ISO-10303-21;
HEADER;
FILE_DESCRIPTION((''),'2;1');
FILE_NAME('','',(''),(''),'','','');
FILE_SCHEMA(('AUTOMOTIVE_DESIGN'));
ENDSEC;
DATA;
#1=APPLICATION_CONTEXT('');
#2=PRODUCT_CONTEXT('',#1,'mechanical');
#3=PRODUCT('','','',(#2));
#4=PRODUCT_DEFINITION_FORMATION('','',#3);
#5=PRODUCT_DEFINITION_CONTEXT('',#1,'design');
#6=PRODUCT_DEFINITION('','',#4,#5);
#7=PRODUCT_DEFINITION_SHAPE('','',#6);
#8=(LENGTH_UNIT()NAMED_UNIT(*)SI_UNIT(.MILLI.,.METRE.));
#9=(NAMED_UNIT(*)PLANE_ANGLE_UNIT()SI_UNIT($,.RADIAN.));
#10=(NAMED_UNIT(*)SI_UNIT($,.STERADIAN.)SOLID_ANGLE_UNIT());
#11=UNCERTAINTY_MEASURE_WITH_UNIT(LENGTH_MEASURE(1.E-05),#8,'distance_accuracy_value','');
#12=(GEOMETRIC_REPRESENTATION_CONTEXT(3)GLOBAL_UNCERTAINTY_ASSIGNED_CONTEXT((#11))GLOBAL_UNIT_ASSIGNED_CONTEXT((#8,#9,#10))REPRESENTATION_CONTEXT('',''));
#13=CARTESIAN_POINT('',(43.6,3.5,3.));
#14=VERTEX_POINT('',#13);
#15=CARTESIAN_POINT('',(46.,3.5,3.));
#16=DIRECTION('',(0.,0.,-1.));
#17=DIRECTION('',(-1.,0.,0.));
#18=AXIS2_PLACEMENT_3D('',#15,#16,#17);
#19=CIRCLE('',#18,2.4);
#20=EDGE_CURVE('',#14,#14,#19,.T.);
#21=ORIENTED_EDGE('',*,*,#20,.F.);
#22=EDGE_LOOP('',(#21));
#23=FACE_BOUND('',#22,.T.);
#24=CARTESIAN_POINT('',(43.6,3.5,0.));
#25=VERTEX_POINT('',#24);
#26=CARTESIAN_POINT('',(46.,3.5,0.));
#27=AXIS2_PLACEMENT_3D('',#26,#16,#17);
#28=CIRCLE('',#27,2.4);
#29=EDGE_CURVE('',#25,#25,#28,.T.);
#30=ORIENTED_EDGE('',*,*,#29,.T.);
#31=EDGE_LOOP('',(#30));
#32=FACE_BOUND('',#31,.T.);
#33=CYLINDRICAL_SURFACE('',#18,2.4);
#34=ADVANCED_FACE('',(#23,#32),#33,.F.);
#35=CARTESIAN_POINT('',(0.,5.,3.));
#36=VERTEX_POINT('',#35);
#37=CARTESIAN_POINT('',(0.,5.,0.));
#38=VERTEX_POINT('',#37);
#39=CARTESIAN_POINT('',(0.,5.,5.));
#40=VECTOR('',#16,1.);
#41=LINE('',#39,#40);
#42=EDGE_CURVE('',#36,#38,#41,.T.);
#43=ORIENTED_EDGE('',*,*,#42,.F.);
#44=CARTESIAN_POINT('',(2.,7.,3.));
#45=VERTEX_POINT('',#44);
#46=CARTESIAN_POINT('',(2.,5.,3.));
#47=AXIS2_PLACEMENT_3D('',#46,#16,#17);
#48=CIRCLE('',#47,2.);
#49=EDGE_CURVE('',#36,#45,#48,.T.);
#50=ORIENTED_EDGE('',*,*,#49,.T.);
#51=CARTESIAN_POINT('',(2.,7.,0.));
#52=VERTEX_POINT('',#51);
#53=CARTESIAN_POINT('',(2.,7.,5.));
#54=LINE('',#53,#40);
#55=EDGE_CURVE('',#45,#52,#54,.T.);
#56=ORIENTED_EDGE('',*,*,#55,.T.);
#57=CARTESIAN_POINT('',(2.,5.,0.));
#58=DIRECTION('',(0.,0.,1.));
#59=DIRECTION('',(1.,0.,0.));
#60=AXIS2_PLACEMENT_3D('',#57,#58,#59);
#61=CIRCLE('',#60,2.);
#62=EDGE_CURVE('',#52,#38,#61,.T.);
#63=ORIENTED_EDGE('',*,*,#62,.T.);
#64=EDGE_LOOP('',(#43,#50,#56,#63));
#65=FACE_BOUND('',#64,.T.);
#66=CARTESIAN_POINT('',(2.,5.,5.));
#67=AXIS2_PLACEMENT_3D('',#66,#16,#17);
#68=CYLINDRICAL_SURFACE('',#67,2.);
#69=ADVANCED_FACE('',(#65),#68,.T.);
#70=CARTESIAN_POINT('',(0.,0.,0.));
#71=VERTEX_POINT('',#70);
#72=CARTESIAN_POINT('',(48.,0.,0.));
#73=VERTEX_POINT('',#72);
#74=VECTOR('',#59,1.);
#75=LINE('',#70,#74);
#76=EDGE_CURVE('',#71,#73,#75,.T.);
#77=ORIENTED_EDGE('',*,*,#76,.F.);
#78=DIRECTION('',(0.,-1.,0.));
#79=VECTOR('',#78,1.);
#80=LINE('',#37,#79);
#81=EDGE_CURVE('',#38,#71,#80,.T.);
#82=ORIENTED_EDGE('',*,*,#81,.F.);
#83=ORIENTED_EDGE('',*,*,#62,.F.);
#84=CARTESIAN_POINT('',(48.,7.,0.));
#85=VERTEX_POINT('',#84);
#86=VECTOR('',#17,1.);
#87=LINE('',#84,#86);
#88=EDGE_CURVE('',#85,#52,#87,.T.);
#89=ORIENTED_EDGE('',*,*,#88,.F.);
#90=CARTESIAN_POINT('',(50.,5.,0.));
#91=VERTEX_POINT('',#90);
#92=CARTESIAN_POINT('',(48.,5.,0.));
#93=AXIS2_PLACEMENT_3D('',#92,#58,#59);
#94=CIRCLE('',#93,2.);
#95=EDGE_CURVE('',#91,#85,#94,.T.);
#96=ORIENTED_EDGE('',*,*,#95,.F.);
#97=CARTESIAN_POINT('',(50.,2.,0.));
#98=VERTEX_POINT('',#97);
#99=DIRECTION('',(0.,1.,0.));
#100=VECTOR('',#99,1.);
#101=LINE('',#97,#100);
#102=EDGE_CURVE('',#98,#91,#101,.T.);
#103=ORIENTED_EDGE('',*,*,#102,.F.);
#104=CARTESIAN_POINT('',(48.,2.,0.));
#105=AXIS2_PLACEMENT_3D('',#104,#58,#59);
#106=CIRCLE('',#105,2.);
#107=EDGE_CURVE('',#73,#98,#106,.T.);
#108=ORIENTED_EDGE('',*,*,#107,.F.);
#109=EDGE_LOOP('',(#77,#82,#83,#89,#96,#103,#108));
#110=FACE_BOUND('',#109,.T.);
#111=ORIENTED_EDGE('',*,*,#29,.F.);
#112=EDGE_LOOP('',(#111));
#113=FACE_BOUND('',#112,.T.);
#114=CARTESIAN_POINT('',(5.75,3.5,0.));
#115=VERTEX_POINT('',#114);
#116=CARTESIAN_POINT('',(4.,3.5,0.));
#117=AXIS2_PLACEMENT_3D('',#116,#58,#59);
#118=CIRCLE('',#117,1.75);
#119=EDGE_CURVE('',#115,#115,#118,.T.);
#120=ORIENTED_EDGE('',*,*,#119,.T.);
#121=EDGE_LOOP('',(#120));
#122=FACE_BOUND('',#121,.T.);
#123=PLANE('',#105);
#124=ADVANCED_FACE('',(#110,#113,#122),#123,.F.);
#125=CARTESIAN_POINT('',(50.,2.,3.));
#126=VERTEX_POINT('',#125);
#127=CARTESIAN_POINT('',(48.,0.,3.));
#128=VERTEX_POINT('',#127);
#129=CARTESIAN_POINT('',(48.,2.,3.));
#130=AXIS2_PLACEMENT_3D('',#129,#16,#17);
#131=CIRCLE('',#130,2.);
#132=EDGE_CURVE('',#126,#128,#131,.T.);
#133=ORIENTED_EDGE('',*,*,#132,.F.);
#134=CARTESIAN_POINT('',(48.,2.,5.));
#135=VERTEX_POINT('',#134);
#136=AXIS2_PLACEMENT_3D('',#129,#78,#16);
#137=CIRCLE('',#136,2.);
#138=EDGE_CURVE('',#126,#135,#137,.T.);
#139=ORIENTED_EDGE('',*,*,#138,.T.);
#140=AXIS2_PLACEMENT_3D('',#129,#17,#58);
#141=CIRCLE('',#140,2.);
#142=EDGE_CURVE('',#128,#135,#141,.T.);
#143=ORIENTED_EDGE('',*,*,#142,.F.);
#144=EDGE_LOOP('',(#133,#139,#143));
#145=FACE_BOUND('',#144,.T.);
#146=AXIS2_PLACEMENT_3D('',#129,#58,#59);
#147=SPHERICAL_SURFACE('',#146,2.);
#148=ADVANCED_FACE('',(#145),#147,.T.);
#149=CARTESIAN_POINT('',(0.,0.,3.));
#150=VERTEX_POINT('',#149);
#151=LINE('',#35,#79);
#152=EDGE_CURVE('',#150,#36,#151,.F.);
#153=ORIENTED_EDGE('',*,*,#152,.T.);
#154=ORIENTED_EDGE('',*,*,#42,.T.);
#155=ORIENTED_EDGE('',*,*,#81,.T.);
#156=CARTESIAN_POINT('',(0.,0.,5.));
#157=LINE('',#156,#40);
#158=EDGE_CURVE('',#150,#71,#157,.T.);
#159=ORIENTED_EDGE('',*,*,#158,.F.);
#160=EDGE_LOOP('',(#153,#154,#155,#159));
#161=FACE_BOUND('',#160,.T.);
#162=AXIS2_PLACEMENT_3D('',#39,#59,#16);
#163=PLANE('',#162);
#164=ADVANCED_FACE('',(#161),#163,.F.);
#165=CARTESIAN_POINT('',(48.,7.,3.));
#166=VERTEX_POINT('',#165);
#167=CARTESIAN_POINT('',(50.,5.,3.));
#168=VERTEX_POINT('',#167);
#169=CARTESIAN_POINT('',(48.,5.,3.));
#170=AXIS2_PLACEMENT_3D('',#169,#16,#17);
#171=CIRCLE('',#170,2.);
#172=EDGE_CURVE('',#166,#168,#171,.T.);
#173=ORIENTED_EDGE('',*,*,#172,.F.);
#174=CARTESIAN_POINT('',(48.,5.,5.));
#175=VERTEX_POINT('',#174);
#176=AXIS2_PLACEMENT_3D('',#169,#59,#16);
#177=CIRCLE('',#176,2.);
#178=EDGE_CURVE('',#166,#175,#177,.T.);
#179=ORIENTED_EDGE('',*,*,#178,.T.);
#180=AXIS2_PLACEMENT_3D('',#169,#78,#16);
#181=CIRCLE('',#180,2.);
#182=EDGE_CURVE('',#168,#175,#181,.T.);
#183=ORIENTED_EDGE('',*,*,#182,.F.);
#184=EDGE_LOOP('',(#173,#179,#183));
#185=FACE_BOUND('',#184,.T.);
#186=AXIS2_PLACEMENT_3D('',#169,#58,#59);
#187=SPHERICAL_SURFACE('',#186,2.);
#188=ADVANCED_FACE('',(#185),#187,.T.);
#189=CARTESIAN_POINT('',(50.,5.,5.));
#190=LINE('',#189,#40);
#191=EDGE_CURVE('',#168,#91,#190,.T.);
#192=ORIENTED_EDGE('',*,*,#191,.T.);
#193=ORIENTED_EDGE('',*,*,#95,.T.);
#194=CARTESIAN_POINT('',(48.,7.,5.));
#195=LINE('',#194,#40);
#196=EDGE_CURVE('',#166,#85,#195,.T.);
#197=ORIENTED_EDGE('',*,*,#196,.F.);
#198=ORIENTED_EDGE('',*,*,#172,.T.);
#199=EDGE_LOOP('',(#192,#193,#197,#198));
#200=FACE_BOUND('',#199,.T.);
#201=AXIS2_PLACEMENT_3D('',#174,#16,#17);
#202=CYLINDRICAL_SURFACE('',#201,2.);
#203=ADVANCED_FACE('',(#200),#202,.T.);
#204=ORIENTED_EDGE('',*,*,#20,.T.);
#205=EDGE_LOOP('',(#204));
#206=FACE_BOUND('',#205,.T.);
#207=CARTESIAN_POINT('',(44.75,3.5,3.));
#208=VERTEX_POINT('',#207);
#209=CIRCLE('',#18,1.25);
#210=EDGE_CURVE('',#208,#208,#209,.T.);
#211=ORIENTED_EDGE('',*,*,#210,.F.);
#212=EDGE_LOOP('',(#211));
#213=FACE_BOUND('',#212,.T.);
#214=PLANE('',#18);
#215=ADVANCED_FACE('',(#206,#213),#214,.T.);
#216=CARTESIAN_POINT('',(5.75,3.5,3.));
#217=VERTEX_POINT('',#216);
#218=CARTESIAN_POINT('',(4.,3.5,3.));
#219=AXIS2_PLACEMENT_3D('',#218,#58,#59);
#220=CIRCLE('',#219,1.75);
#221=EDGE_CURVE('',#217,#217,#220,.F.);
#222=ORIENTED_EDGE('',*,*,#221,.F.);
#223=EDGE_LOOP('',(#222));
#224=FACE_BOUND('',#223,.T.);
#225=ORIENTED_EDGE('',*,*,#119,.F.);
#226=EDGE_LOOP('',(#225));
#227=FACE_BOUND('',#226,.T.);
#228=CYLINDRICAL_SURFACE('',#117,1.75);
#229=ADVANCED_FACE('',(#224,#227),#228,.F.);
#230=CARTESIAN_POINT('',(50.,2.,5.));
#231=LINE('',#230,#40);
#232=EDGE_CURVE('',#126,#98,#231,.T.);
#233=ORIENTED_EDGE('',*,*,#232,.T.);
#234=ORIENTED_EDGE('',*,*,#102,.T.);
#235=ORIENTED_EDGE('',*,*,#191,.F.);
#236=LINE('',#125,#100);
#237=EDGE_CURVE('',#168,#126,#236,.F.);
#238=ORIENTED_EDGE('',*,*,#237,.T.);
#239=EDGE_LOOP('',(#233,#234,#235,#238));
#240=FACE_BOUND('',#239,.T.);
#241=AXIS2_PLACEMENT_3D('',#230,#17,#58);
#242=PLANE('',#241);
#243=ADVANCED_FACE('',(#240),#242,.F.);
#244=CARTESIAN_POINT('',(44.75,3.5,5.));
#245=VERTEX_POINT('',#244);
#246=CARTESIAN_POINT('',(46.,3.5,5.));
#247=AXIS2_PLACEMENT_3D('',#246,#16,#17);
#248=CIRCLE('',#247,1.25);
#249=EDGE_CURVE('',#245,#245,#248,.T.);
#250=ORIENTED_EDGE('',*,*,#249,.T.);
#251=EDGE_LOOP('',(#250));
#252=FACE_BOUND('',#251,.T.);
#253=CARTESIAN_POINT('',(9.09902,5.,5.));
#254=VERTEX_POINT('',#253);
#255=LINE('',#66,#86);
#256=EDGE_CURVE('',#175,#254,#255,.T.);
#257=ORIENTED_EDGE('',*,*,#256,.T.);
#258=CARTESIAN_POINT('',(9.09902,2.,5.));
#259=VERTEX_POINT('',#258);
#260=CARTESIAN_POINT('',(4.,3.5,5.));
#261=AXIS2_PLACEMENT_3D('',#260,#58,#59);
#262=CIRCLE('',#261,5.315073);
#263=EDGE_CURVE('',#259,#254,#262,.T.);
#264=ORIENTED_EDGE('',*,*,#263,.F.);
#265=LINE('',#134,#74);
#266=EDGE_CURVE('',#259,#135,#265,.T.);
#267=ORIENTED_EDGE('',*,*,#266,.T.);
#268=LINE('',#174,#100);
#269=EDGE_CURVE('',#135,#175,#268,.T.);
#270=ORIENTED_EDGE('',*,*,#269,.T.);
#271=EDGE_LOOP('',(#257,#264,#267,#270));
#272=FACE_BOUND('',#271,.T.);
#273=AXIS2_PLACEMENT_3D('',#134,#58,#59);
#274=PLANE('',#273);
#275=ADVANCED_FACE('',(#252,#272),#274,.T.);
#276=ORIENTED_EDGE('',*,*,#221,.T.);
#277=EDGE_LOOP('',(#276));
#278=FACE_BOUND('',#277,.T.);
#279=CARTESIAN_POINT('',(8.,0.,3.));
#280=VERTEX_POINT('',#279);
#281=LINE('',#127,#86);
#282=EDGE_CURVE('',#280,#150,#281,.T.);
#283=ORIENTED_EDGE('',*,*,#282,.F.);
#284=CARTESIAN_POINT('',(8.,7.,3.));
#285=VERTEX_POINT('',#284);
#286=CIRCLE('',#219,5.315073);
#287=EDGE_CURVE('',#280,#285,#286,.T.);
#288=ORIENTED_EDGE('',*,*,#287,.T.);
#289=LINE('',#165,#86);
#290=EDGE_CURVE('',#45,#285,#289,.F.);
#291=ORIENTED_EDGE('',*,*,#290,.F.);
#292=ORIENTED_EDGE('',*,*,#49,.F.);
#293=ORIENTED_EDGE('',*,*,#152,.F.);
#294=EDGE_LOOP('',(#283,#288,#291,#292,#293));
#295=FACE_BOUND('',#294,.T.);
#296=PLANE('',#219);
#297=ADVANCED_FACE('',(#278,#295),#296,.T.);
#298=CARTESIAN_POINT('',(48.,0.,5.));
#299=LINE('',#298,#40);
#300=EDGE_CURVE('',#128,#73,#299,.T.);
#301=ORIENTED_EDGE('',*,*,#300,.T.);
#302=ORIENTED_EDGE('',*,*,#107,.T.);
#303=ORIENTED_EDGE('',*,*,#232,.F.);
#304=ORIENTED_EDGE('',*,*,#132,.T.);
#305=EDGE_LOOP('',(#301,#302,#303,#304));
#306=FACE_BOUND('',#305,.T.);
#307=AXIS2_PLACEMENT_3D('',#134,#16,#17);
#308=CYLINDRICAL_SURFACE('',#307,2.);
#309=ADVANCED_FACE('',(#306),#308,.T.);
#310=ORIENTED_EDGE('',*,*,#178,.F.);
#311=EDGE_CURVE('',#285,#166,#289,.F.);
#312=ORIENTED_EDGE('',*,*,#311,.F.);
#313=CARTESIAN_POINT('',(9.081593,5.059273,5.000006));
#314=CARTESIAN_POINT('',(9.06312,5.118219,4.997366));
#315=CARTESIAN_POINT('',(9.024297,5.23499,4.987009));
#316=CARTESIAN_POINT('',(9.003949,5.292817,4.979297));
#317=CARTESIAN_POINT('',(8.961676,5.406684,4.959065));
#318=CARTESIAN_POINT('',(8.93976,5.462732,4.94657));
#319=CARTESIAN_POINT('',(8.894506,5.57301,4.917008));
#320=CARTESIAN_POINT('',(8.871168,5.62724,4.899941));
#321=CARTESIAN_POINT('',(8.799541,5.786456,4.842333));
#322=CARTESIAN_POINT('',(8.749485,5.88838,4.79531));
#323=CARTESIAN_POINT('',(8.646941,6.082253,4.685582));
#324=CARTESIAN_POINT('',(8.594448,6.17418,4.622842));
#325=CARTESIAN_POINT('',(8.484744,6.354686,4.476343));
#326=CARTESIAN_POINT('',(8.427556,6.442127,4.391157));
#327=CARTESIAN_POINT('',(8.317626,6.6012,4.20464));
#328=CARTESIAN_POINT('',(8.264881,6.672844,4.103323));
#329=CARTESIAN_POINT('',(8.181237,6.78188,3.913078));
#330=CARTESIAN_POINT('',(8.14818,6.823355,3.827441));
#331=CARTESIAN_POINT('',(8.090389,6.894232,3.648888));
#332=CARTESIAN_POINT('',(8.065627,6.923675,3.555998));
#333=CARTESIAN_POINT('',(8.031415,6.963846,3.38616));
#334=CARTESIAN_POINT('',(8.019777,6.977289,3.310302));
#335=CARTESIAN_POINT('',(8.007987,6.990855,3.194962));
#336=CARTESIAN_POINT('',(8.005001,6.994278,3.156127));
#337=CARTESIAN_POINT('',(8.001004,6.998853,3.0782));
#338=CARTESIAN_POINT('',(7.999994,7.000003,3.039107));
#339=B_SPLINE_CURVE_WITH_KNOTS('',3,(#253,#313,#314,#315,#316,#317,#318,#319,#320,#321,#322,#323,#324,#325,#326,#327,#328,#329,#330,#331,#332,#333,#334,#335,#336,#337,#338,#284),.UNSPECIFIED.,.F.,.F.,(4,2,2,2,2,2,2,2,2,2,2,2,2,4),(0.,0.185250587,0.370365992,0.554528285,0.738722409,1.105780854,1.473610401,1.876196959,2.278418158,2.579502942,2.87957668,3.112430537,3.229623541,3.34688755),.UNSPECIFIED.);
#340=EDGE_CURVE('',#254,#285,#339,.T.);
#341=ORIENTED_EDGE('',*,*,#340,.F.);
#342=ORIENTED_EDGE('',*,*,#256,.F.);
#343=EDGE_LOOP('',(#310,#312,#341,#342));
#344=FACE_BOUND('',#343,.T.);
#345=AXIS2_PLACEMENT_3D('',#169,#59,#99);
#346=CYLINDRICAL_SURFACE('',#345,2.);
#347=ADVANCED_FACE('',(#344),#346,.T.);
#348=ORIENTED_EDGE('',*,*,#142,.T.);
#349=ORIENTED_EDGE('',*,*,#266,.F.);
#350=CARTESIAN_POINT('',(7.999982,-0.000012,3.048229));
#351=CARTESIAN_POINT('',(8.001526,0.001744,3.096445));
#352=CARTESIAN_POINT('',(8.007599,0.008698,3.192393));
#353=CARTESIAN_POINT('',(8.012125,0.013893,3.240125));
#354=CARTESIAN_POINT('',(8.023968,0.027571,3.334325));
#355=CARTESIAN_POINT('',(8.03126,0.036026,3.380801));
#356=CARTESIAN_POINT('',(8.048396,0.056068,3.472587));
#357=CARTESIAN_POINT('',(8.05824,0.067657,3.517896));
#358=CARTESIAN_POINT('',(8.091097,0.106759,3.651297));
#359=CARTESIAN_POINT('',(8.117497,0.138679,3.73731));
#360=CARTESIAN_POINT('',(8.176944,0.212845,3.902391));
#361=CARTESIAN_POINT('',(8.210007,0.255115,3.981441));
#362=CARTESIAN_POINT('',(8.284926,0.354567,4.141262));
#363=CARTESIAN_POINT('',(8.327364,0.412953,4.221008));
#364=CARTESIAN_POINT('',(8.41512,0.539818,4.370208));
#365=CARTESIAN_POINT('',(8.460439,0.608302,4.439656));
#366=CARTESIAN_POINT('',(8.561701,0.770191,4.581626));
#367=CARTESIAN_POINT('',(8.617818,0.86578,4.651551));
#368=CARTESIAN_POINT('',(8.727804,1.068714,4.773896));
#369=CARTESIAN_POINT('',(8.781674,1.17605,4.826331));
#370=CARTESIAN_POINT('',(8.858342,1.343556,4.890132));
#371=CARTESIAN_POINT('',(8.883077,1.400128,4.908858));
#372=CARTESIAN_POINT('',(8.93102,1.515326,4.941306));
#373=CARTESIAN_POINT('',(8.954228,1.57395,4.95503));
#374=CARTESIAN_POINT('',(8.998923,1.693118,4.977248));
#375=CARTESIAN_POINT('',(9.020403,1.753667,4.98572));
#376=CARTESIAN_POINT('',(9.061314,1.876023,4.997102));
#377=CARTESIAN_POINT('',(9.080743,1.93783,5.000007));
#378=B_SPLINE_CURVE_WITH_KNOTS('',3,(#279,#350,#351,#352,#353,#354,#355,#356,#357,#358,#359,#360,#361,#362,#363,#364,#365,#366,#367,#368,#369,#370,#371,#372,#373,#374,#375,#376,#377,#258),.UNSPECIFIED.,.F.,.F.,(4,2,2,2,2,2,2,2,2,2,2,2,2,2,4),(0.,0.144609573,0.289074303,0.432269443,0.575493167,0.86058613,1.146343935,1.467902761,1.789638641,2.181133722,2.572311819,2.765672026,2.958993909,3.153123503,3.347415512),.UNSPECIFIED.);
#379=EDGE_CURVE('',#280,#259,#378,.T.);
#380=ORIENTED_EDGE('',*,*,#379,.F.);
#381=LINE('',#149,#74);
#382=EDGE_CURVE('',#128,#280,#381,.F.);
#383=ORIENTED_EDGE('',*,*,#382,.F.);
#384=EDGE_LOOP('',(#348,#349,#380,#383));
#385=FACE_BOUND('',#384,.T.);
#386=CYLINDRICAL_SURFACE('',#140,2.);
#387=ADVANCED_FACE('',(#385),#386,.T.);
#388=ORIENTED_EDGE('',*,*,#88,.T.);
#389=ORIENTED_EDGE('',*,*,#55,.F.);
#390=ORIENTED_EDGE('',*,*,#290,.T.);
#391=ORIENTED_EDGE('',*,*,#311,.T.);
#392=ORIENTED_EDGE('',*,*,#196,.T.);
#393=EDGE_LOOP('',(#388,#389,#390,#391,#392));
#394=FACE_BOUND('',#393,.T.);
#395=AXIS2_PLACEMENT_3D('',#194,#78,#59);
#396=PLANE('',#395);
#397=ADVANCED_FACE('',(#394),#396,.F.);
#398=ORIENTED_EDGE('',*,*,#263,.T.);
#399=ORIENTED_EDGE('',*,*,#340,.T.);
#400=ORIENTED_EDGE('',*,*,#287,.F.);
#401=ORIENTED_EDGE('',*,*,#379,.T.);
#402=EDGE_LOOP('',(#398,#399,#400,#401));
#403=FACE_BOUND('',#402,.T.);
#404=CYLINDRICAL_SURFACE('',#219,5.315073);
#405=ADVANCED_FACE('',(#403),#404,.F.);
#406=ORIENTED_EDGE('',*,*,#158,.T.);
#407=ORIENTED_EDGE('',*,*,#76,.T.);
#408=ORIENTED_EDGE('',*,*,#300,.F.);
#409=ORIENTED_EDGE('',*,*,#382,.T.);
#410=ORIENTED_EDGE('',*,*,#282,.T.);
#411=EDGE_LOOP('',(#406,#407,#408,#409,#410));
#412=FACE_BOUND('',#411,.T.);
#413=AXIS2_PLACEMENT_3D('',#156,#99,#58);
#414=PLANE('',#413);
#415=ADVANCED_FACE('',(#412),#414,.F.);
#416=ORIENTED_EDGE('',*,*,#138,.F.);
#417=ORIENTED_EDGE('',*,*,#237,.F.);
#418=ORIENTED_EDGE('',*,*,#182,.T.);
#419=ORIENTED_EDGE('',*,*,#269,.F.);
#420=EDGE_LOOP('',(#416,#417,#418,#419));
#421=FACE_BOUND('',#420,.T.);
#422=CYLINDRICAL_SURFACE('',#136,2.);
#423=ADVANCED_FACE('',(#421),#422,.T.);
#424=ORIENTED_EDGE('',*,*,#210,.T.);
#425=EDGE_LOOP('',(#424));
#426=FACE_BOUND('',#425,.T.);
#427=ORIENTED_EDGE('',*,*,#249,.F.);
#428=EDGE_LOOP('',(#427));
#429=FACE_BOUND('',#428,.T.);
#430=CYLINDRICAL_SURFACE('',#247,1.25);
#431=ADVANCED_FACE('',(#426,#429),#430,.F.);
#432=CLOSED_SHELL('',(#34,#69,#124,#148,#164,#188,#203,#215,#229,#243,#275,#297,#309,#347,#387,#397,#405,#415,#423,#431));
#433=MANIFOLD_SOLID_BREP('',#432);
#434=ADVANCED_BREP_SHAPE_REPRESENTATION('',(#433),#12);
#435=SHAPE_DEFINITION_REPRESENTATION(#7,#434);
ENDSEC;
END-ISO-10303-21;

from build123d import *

# Parameters (mm, degrees)
BOSS_EXTRUDE1_DEPTH = 5
SKETCH2_R           = 2.4
CUT_EXTRUDE1_DEPTH  = 3
SKETCH3_R           = 1.25
CUT_EXTRUDE2_DEPTH  = 51.576674466
FILLET1_R           = 2
SKETCH4_R           = 1.75
CUT_EXTRUDE3_DEPTH  = 51.734603576
SKETCH5_R           = 5.315072906
CUT_EXTRUDE4_DEPTH  = 2


with BuildPart() as part:
    # Sketch1 → Boss-Extrude1 (new body)
    with BuildSketch(Plane.XY):
        with BuildLine():
            Line((0, 0), (48, 0))
            ThreePointArc((48, 0), (49.414213562, 0.585786438), (50, 2))
            Line((50, 2), (50, 5))
            ThreePointArc((50, 5), (49.414213562, 6.414213562), (48, 7))
            Line((48, 7), (2, 7))
            ThreePointArc((2, 7), (0.585786438, 6.414213562), (0, 5))
            Line((0, 5), (0, 0))
        make_face()
    extrude(amount=BOSS_EXTRUDE1_DEPTH)

    # Sketch2 → Cut-Extrude1 (cut)
    with BuildSketch(Plane(origin=(0, 0, 0), x_dir=(-1, 0, 0), z_dir=(0, 0, -1))):
        with Locations((-46, 3.5)):
            Circle(SKETCH2_R)
    extrude(amount=-CUT_EXTRUDE1_DEPTH, mode=Mode.SUBTRACT)

    # Sketch3 → Cut-Extrude2 (cut, through all)
    with BuildSketch(Plane(origin=(0, 0, 3), x_dir=(-1, 0, 0), z_dir=(0, 0, -1))):
        with Locations((-46, 3.5)):
            Circle(SKETCH3_R)
    extrude(amount=-CUT_EXTRUDE2_DEPTH, mode=Mode.SUBTRACT)

    # Fillet1
    fillet1_edges = [part.edges().sort_by_distance(p)[0] for p in [
        (49.414213562, 0.585786438, 5),
        (50, 3.5, 5),
        (49.414213562, 6.414213562, 5),
        (25, 7, 5),
        (0.585786438, 6.414213562, 5),
        (0, 2.5, 5),
        (24, 0, 5),
    ]]
    fillet(fillet1_edges, radius=FILLET1_R)

    # Sketch4 → Cut-Extrude3 (cut, through all)
    with BuildSketch(Plane.XY.offset(5)):
        with Locations((4, 3.5)):
            Circle(SKETCH4_R)
    extrude(amount=-CUT_EXTRUDE3_DEPTH, mode=Mode.SUBTRACT)

    # Sketch5 → Cut-Extrude4 (cut)
    with BuildSketch(Plane.XY.offset(5)):
        with Locations((4, 3.5)):
            Circle(SKETCH5_R)
    extrude(amount=-CUT_EXTRUDE4_DEPTH, mode=Mode.SUBTRACT)


solid = part.part
